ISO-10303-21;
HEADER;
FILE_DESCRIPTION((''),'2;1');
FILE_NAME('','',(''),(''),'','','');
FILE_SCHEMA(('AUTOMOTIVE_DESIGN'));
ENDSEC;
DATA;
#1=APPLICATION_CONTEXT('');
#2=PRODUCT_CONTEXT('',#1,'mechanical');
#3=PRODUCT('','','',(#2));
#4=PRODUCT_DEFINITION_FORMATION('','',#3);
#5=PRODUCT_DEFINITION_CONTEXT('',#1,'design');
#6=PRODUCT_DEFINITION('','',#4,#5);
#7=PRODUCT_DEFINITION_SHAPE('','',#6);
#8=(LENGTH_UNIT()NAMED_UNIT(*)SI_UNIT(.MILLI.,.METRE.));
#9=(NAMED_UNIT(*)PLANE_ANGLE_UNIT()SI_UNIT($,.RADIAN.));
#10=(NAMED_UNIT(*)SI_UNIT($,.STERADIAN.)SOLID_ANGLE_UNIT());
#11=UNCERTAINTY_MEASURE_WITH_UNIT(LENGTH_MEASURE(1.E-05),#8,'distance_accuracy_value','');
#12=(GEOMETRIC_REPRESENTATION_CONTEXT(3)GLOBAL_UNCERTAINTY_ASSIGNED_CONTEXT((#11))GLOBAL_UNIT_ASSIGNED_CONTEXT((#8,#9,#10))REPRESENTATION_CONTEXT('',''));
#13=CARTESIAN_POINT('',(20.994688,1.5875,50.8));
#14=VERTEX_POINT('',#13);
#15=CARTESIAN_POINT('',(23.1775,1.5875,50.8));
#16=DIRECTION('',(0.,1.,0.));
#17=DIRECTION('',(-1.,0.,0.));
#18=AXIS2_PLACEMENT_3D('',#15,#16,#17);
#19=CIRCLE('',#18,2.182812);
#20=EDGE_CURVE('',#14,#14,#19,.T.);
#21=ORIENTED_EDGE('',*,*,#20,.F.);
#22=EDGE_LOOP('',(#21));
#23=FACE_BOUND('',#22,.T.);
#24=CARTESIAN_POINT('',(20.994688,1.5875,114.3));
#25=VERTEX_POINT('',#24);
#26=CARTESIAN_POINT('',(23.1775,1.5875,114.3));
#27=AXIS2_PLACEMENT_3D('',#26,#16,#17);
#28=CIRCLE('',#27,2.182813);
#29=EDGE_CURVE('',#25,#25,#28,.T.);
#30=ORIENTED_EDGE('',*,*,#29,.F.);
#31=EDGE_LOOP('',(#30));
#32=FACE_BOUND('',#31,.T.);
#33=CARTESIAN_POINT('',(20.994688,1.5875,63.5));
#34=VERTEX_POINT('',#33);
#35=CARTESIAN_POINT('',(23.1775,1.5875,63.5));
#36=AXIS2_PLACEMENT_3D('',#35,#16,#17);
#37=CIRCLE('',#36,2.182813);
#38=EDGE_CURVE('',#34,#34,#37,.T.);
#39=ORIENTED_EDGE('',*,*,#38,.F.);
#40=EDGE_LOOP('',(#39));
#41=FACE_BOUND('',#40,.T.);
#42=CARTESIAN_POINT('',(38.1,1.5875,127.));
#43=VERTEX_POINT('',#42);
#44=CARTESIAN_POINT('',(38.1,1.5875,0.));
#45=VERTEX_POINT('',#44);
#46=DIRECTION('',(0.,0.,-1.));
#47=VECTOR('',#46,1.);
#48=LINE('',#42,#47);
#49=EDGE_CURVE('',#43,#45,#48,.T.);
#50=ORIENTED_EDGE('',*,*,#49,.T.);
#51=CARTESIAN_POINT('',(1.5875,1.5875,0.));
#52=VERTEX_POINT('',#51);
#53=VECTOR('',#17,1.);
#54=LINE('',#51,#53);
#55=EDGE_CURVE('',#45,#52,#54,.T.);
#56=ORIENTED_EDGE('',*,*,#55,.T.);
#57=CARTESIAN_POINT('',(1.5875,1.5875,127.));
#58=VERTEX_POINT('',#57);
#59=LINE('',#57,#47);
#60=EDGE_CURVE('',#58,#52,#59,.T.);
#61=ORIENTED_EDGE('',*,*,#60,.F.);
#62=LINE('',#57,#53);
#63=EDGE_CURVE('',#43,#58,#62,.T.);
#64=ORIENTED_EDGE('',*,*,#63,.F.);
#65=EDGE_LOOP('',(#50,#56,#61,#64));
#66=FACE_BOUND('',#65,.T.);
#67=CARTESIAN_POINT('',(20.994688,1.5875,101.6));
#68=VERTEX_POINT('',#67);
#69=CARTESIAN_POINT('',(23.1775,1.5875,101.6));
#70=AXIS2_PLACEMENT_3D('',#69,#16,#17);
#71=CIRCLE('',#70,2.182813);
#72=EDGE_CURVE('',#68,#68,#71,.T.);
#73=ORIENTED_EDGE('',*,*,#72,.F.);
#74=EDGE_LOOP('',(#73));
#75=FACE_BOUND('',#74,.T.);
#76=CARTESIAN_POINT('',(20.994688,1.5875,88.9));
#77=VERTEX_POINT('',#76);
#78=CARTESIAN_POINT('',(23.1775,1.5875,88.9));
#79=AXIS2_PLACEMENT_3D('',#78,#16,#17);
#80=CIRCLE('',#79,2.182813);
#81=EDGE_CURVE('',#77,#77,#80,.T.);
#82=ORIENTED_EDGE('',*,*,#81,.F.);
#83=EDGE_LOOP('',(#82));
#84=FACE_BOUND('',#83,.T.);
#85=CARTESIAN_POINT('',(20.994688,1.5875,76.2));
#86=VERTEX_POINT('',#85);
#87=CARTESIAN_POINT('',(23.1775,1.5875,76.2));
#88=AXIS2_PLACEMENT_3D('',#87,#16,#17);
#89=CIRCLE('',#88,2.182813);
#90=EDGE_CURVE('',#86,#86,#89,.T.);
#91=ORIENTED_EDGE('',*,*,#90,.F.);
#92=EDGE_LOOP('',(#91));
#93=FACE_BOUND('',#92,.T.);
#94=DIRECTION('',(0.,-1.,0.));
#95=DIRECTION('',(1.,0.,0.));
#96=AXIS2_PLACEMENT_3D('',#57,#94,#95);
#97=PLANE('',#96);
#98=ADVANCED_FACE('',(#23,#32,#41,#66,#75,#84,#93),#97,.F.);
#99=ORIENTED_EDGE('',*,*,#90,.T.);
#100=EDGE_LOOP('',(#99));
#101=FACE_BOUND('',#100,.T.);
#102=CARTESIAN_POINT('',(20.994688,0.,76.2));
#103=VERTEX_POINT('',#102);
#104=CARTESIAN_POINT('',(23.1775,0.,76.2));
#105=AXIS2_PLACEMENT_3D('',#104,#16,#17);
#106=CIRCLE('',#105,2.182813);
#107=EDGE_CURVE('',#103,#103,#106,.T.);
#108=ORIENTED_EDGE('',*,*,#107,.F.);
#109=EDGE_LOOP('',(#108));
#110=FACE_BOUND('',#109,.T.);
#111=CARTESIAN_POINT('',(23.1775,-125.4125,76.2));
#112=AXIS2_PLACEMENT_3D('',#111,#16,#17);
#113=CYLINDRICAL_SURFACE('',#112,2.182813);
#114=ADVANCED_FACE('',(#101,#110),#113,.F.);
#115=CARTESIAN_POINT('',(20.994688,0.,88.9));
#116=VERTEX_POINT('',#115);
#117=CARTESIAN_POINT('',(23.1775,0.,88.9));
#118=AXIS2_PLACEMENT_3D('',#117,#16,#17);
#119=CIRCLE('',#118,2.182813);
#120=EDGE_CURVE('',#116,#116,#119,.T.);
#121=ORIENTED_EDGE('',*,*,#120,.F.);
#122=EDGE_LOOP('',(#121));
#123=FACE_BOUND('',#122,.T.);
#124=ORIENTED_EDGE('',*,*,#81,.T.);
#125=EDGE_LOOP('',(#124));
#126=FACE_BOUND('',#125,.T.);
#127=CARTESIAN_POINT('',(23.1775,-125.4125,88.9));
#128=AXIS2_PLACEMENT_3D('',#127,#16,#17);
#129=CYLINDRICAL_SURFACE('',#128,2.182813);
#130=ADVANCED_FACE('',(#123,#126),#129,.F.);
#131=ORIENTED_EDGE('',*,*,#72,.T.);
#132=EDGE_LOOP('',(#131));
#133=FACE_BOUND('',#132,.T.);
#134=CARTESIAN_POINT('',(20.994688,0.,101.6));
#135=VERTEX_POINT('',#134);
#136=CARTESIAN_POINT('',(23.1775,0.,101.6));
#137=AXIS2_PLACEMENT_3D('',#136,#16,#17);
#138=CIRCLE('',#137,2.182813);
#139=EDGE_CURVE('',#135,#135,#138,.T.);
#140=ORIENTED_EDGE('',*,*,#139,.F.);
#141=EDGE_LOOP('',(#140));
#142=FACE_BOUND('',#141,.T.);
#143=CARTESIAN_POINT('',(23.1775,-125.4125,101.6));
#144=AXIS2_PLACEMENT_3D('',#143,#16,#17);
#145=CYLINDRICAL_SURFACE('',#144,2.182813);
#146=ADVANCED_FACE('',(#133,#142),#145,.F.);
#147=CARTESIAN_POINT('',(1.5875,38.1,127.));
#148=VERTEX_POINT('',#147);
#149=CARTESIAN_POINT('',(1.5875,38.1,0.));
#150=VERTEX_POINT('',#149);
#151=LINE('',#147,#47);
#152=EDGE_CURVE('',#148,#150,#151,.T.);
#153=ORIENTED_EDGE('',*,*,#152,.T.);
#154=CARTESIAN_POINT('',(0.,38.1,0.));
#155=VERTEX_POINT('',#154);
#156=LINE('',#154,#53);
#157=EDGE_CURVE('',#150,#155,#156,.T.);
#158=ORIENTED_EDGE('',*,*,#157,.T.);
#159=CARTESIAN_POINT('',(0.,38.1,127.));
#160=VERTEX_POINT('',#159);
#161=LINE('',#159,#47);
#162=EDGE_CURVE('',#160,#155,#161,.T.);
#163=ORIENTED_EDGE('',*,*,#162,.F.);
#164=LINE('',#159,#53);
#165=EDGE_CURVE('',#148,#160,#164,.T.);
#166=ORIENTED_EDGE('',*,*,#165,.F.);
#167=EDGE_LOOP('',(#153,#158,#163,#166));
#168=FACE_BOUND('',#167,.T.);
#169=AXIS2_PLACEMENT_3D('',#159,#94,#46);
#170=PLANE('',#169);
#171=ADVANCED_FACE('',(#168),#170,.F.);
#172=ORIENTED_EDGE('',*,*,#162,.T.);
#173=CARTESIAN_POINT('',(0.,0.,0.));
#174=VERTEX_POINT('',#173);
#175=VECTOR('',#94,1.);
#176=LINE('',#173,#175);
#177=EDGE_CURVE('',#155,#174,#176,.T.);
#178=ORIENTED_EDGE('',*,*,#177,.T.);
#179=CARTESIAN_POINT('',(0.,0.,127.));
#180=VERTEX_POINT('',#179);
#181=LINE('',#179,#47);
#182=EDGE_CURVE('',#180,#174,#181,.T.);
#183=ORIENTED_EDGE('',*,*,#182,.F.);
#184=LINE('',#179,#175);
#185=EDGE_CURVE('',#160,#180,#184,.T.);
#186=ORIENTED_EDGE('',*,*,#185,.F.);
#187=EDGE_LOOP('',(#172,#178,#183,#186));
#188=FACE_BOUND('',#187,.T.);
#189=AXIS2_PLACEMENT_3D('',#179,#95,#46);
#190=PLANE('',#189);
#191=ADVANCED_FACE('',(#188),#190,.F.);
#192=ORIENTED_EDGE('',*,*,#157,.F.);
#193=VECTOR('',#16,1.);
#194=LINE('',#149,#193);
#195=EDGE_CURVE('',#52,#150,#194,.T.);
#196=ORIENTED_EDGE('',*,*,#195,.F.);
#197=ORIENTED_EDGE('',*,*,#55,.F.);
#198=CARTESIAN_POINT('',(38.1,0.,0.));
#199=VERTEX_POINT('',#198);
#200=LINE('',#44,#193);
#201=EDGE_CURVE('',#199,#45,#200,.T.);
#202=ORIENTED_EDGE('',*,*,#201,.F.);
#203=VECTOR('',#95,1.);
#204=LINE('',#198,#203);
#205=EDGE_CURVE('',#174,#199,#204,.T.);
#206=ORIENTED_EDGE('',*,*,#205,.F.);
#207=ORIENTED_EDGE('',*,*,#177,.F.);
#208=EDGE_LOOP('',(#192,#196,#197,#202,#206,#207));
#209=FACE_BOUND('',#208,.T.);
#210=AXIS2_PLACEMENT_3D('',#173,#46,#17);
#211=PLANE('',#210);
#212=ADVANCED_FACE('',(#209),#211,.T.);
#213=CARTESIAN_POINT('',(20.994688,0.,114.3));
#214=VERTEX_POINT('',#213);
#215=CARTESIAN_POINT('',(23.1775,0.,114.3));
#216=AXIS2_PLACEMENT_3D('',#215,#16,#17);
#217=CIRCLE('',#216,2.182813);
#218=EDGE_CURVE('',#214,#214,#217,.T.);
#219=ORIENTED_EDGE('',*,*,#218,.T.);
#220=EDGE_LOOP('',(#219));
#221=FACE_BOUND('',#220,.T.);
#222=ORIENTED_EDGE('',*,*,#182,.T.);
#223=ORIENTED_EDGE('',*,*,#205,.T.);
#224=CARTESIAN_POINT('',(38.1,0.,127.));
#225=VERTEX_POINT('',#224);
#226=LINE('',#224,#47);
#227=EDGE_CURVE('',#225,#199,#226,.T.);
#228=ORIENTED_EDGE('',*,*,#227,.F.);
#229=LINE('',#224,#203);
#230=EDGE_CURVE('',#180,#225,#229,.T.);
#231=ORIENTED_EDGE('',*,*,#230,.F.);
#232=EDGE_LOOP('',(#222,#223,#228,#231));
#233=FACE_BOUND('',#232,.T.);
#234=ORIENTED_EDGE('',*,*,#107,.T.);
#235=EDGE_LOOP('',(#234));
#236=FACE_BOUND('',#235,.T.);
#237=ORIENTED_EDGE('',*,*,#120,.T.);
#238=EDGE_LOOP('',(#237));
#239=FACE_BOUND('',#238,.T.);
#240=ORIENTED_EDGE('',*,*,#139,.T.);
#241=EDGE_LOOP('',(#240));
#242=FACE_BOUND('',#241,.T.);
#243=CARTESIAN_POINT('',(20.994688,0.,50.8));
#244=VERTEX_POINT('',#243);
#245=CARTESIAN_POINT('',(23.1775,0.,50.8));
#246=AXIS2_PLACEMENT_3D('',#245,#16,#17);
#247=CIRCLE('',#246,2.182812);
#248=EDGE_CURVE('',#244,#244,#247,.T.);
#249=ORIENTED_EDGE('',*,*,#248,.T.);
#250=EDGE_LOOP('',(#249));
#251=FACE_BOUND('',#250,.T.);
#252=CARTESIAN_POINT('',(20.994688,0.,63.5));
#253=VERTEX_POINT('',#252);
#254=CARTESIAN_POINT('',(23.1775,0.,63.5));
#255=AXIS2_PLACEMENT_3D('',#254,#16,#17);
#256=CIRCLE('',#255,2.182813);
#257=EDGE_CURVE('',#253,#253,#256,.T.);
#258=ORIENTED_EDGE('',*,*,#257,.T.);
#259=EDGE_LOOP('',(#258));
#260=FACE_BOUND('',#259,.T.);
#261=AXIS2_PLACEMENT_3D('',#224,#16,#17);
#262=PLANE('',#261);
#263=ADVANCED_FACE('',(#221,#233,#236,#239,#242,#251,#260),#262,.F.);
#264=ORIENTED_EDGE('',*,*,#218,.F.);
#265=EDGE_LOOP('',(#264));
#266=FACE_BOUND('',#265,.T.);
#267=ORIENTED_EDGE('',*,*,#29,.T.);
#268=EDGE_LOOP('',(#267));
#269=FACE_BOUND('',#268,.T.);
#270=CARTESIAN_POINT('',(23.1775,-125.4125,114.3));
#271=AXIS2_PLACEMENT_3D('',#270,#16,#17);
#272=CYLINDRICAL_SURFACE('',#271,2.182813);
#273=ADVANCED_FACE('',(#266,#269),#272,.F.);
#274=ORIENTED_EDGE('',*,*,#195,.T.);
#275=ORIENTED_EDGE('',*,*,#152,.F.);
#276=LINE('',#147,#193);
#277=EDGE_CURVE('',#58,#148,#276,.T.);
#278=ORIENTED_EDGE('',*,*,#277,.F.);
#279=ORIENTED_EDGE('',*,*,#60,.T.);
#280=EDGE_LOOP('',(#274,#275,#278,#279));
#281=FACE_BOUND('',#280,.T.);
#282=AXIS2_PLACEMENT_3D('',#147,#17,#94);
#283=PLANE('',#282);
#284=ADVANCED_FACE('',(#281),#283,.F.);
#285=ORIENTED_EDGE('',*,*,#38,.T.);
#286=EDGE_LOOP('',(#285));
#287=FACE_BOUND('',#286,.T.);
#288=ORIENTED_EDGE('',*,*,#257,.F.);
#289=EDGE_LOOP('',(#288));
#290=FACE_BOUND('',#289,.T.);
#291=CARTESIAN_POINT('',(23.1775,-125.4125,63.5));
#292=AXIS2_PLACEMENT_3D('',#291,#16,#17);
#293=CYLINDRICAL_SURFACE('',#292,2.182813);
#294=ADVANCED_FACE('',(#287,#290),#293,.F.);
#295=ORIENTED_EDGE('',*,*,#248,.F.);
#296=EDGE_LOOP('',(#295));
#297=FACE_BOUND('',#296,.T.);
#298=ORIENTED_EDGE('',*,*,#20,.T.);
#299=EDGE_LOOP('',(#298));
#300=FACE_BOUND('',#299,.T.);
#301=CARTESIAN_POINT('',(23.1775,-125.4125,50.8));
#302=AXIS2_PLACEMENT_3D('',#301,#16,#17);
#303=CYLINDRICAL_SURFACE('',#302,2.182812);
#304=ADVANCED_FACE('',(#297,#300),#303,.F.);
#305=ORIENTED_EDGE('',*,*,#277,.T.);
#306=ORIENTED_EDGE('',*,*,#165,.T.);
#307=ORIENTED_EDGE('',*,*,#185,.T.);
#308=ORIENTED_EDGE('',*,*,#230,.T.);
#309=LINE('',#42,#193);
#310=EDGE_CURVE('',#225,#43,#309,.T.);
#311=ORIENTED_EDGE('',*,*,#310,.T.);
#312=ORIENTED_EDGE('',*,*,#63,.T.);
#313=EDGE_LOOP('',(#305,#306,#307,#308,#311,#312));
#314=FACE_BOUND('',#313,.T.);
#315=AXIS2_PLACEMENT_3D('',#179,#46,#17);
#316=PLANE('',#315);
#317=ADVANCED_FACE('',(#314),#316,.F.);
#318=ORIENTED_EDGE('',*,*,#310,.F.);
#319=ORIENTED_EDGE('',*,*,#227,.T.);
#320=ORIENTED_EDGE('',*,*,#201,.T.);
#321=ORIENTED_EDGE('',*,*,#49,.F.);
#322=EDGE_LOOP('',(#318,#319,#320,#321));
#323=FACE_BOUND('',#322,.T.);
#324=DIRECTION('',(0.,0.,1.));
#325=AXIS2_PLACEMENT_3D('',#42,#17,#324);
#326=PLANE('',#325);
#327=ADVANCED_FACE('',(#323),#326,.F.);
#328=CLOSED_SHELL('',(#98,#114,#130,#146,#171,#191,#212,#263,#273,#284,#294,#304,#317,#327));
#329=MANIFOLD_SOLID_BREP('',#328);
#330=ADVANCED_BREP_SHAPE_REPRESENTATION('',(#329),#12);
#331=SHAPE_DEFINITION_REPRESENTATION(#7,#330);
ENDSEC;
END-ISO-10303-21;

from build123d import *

# Parameters (mm, degrees)
BOSS_EXTRUDE1_DEPTH = 127
SKETCH2_R           = 2.1828125
CUT_EXTRUDE1_DEPTH  = 127


with BuildPart() as part:
    # Sketch1 → Boss-Extrude1 (new body)
    with BuildSketch(Plane.XY):
        Polygon((0, 0), (0, 38.1), (1.5875, 38.1), (1.5875, 1.5875), (38.1, 1.5875), (38.1, 0), align=None)
    extrude(amount=BOSS_EXTRUDE1_DEPTH)

    # Sketch2 → Cut-Extrude1 (cut)
    with BuildSketch(Plane(origin=(0, 1.5875, 0), x_dir=(1, 0, 0), z_dir=(0, 1, 0))):
        with Locations(Location((23.1775, -114.3, 0), (0, 0, 180))):
            Circle(SKETCH2_R)
        with Locations(Location((23.1775, -101.6, 0), (0, 0, 180))):
            Circle(SKETCH2_R)
        with Locations(Location((23.1775, -88.9, 0), (0, 0, 180))):
            Circle(SKETCH2_R)
        with Locations(Location((23.1775, -76.2, 0), (0, 0, 180))):
            Circle(SKETCH2_R)
        with Locations(Location((23.1775, -63.5, 0), (0, 0, 180))):
            Circle(SKETCH2_R)
        with Locations(Location((23.1775, -50.8, 0), (0, 0, 180))):
            Circle(SKETCH2_R)
    extrude(amount=-CUT_EXTRUDE1_DEPTH, mode=Mode.SUBTRACT)


solid = part.part
